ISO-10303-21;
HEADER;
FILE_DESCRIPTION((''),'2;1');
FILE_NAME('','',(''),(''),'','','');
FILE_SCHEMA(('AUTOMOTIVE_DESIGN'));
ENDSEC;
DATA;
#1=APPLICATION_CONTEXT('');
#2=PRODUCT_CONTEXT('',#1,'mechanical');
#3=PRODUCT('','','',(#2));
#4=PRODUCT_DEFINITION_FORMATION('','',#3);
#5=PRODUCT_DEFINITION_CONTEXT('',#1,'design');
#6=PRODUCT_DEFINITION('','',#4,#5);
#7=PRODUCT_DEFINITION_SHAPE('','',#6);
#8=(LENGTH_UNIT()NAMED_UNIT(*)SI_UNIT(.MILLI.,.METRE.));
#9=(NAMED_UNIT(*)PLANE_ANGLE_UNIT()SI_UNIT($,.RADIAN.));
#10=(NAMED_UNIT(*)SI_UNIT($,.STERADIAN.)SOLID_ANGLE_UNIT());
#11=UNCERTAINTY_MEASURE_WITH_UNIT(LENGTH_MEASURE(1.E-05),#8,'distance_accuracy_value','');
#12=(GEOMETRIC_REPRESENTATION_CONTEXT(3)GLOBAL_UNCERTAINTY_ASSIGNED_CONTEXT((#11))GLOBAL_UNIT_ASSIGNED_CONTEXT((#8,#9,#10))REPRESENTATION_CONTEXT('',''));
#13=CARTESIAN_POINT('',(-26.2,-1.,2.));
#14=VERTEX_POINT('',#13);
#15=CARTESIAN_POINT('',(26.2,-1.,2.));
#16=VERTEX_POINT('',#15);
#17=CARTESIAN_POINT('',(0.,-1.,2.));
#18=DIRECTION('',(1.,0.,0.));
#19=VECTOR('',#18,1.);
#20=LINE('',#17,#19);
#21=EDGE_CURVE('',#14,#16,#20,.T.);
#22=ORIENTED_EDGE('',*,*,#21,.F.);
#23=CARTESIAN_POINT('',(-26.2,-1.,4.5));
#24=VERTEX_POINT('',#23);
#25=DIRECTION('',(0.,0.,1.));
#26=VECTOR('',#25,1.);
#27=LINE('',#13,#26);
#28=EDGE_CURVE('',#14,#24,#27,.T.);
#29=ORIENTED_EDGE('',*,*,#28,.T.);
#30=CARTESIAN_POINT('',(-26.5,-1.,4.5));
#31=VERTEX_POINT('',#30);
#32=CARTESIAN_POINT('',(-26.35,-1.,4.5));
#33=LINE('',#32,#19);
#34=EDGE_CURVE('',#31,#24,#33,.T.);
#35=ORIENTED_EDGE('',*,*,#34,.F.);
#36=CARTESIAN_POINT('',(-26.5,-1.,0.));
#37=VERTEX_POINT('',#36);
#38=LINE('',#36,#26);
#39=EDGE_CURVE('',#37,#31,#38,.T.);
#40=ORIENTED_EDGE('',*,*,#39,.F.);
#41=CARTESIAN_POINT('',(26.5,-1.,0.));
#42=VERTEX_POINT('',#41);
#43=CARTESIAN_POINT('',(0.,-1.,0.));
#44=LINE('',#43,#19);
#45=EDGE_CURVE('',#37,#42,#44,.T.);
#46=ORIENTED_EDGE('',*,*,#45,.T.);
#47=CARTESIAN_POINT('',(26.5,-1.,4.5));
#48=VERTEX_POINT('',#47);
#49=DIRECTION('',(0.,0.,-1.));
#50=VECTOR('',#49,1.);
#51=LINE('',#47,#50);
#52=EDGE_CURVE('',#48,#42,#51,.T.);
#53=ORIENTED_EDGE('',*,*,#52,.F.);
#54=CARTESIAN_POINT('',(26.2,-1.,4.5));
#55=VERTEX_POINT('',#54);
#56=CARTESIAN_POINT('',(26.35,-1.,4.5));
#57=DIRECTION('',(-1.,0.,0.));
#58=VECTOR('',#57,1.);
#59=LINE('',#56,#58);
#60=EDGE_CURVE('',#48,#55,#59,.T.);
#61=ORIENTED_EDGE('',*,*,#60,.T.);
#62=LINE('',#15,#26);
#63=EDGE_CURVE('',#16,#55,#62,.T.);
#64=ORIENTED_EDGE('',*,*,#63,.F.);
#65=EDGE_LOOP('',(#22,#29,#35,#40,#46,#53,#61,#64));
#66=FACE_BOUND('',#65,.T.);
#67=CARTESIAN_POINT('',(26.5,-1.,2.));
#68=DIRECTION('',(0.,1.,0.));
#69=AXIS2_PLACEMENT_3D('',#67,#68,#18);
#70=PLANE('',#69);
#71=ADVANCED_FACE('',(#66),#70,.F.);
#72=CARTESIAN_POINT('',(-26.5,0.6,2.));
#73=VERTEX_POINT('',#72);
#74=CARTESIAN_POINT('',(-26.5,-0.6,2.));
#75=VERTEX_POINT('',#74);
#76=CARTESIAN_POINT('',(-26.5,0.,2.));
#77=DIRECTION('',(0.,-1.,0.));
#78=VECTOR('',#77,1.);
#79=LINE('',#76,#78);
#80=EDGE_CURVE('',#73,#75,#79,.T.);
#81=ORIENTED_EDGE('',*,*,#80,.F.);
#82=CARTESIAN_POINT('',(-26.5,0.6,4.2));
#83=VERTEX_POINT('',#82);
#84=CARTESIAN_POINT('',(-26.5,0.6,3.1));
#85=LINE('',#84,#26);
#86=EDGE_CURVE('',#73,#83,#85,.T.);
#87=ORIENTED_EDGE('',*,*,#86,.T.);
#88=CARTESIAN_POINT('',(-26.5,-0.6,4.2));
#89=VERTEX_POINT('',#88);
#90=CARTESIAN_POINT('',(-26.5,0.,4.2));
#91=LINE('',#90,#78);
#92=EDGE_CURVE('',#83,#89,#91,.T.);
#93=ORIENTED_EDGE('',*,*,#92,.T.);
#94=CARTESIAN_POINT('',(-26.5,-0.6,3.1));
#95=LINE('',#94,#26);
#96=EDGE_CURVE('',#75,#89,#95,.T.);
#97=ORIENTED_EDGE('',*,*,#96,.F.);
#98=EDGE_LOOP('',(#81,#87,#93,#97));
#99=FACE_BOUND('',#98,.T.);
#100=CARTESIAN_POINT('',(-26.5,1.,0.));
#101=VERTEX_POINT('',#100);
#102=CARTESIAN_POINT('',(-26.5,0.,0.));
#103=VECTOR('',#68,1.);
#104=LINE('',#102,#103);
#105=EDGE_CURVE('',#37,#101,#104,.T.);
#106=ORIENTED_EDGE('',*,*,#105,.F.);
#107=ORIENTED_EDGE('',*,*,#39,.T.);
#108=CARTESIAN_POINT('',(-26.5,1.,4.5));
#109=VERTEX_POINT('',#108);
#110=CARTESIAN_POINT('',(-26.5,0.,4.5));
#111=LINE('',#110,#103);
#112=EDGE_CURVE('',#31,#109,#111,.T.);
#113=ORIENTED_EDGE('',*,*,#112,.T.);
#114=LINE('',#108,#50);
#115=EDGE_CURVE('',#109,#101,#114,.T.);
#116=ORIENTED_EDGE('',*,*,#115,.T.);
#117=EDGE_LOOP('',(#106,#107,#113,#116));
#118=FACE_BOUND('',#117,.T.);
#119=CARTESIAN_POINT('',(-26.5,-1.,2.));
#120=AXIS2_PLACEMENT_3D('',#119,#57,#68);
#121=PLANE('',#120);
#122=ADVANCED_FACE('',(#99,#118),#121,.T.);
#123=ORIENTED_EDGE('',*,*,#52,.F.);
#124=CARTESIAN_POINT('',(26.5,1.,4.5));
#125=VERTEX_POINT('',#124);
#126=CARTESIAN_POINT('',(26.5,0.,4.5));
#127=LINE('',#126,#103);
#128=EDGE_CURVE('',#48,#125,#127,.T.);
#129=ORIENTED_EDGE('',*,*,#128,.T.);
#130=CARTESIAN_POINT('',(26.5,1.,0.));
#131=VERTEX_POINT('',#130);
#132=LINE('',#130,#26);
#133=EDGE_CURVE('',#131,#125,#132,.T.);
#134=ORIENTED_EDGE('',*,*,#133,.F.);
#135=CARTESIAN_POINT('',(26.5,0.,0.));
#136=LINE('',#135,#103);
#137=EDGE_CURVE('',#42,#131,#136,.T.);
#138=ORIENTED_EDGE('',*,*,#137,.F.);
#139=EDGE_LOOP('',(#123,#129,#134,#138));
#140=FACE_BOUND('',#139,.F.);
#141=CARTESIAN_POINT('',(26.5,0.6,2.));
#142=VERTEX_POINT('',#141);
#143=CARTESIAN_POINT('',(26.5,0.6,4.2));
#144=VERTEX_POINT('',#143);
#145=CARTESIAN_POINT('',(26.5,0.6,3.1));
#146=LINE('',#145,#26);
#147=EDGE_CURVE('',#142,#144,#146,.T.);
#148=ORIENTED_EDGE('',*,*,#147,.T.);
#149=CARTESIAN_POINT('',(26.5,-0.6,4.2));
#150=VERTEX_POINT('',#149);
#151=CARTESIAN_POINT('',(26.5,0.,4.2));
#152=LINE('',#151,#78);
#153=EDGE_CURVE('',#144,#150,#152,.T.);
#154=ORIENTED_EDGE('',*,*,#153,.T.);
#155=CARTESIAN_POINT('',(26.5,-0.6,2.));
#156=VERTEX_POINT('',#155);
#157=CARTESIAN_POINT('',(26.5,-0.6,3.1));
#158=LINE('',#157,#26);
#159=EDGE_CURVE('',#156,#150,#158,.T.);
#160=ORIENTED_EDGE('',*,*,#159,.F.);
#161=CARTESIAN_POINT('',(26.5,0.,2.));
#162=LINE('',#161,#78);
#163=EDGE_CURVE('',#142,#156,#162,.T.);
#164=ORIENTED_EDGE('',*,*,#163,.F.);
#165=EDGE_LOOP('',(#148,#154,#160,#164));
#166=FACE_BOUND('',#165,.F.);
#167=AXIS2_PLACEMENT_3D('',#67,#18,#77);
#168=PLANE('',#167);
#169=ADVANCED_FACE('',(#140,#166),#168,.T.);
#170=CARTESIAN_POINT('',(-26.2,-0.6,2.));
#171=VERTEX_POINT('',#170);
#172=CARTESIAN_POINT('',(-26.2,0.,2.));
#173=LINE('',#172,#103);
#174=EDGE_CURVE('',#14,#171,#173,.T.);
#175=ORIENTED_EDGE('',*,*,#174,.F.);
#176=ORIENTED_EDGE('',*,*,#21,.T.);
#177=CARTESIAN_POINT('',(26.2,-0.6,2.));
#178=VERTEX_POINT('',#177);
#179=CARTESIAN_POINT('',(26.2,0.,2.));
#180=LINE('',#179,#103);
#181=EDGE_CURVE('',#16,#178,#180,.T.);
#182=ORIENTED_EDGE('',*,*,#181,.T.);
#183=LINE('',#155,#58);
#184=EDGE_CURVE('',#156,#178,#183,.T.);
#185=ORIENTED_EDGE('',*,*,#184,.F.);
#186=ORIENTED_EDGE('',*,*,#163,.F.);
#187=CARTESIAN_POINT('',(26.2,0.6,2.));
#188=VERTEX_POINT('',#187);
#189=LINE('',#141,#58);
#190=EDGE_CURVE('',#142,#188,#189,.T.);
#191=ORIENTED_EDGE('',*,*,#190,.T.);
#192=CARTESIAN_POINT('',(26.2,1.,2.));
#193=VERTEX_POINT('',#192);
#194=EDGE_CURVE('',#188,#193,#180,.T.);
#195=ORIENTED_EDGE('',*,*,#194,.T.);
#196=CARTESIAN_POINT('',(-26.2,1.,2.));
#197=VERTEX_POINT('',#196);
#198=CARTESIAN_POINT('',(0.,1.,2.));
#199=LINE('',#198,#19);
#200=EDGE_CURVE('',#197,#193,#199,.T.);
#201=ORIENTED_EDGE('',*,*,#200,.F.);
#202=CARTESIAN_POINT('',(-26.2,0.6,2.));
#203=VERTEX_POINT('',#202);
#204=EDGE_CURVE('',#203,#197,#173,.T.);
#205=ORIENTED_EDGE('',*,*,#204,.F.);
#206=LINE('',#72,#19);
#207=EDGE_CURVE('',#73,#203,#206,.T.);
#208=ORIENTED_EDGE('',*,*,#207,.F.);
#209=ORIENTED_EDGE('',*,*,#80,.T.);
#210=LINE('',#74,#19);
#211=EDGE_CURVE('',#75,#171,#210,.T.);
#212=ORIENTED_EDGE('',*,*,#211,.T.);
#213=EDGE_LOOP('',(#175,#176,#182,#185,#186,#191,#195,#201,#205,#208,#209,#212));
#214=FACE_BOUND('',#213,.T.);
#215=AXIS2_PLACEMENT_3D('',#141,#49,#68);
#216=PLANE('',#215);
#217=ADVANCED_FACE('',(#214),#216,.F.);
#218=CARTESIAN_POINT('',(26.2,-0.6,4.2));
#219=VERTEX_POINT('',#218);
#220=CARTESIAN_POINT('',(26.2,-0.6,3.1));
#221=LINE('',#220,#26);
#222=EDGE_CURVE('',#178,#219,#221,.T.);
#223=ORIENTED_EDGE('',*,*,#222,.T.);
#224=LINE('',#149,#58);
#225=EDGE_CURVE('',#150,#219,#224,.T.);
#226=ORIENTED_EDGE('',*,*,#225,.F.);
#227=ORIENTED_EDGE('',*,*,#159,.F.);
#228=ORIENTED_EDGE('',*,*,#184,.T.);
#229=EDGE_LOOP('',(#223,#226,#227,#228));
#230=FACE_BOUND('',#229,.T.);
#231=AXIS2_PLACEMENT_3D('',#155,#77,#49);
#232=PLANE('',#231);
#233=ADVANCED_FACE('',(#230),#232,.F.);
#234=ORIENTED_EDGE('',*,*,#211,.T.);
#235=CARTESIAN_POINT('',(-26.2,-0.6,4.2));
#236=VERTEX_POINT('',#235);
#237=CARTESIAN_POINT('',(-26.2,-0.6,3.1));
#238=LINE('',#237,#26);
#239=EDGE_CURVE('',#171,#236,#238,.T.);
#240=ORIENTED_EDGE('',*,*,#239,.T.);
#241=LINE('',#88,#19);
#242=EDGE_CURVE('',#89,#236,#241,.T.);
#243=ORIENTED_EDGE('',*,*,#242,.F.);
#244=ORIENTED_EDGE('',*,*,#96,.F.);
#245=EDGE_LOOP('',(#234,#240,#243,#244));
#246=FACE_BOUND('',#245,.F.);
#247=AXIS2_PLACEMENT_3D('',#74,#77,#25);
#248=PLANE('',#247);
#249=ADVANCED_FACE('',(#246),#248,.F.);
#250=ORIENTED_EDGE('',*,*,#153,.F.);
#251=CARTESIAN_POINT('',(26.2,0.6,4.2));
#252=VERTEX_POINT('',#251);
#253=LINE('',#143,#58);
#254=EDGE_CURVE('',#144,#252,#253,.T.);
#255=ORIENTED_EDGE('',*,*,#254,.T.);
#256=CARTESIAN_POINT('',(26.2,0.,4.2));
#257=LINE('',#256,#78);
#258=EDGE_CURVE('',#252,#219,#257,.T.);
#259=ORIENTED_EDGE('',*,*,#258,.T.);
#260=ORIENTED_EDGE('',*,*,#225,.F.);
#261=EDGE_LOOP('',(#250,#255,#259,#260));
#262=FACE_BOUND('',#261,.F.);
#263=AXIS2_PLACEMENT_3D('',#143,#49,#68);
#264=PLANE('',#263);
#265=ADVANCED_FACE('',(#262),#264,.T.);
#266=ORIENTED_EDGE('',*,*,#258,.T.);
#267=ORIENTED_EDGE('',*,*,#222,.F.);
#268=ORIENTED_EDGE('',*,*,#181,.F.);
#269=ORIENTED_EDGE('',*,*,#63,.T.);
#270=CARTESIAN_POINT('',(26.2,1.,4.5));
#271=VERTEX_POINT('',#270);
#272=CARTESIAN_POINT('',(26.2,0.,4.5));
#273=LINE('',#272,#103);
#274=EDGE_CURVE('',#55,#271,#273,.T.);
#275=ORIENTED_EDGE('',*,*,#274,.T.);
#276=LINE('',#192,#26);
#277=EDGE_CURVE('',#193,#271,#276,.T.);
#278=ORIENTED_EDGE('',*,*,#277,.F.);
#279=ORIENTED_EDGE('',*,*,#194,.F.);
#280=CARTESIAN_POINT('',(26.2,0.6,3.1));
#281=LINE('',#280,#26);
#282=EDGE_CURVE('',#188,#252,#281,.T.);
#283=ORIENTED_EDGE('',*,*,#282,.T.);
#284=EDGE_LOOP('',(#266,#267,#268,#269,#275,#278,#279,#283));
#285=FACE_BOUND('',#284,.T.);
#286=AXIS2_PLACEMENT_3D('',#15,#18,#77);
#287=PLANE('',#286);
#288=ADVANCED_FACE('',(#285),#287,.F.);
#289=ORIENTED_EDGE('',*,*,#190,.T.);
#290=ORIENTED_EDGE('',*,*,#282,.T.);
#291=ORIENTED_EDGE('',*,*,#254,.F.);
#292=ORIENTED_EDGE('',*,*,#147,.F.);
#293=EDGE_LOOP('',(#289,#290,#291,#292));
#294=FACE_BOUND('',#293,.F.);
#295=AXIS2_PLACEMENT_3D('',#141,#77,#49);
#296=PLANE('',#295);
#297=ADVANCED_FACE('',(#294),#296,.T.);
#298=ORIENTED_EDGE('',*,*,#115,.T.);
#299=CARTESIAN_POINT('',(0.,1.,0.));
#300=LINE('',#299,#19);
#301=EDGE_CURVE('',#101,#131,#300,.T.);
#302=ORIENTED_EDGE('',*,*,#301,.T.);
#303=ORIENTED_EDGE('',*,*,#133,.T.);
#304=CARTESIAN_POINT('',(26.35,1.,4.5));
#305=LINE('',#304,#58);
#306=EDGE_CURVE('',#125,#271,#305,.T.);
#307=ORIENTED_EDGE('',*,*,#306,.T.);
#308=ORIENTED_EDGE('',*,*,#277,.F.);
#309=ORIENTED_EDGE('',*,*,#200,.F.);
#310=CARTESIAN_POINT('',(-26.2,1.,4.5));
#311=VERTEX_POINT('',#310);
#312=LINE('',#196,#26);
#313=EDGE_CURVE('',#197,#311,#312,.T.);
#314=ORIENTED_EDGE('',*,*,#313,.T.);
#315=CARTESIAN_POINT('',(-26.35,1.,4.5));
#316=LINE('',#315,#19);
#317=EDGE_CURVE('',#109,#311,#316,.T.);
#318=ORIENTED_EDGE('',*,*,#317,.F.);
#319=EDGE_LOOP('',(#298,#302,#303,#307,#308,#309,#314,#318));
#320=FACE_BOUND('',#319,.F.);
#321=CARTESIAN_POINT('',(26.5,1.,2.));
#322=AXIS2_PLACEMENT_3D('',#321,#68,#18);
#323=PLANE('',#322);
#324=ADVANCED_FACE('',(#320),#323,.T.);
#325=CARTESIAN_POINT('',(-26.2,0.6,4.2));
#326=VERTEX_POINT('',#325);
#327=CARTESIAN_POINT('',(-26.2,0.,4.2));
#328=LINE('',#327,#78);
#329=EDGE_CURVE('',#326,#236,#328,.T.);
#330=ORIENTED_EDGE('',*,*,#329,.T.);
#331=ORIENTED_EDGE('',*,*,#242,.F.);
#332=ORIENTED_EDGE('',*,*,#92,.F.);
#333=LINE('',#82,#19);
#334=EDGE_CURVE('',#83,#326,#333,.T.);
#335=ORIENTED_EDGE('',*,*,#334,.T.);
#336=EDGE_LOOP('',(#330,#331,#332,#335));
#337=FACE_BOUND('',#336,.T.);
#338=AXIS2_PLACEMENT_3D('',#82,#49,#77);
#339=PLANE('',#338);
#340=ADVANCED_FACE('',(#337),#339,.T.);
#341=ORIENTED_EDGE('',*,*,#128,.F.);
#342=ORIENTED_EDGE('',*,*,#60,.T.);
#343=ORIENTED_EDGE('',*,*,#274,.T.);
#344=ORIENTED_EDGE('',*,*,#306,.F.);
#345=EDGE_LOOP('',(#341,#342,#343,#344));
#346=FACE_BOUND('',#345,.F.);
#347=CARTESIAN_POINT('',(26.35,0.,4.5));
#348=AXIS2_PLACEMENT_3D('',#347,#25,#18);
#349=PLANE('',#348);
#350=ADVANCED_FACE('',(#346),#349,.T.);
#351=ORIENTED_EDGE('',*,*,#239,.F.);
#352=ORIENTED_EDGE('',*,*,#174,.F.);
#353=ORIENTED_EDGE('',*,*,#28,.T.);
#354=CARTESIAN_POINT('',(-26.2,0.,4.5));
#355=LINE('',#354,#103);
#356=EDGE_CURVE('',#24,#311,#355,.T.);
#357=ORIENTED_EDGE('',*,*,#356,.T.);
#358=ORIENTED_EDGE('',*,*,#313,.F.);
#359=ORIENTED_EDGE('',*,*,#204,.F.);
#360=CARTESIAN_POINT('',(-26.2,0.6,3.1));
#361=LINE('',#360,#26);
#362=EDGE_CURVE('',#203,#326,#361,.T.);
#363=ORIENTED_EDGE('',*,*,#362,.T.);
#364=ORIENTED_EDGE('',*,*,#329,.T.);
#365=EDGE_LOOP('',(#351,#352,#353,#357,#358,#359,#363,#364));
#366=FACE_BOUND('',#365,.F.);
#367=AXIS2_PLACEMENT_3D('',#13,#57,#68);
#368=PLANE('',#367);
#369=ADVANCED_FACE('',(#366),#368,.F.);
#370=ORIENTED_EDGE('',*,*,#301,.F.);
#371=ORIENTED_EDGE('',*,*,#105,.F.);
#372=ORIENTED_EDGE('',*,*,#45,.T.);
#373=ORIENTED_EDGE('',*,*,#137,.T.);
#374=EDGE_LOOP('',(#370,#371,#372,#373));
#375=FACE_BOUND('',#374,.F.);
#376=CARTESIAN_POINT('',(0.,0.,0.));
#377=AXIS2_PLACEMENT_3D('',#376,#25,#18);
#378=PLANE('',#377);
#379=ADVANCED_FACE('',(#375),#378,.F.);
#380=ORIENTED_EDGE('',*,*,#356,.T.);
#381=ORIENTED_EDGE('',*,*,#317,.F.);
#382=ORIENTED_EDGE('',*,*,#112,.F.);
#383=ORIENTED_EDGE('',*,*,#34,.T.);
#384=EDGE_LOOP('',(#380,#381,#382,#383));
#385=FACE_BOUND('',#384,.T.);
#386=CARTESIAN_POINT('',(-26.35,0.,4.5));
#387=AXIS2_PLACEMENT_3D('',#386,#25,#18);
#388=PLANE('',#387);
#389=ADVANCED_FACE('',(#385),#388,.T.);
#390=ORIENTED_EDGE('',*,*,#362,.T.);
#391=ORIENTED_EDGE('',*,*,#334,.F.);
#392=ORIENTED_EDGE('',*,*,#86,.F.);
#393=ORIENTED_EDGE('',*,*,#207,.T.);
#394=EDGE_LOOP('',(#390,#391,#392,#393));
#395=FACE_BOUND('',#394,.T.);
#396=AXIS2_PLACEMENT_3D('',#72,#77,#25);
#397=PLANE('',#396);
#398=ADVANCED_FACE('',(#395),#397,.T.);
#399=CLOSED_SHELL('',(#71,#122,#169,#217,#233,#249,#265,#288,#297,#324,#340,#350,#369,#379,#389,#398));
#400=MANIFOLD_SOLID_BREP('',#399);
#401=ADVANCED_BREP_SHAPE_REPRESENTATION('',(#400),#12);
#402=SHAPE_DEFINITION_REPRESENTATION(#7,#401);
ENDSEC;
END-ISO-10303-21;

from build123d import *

# Parameters (mm, degrees)
SKETCH_W     = 53
SKETCH_H     = 2
PAD_DEPTH    = 2
SKETCH001_W  = 0.3
SKETCH001_H  = 2
PAD001_DEPTH = 2.5
SKETCH002_W  = 1.2
SKETCH002_H  = 2.2
POCKET_DEPTH = 0.3


with BuildPart() as part:
    # Sketch → Pad (new body)
    with BuildSketch(Plane.XY):
        Rectangle(SKETCH_W, SKETCH_H)
    extrude(amount=PAD_DEPTH)

    # Sketch001 (on Face6 of Pad) → Pad001 (join)
    with BuildSketch(Plane.XY.offset(2)):
        with Locations((-26.35, 0)):
            Rectangle(SKETCH001_W, SKETCH001_H)
    pad001 = extrude(amount=PAD001_DEPTH)

    # Sketch002 (on Face8 of Pad001) → Pocket (cut)
    with BuildSketch(Plane(origin=(-26.5, 0, 0), x_dir=(0, -1, 0), z_dir=(-1, 0, 0))):
        with Locations((0, 3.1)):
            Rectangle(SKETCH002_W, SKETCH002_H)
    pocket = extrude(amount=-POCKET_DEPTH, mode=Mode.SUBTRACT)

    # Mirrored: Pad001 across Sketch001 V_Axis
    add(pad001.mirror(Plane(origin=(0, 0, 2), x_dir=(0, 0, 1), z_dir=(1, 0, 0))))

    # Mirrored001: Pocket across YZ
    add(pocket.mirror(Plane.YZ), mode=Mode.SUBTRACT)


solid = part.part
